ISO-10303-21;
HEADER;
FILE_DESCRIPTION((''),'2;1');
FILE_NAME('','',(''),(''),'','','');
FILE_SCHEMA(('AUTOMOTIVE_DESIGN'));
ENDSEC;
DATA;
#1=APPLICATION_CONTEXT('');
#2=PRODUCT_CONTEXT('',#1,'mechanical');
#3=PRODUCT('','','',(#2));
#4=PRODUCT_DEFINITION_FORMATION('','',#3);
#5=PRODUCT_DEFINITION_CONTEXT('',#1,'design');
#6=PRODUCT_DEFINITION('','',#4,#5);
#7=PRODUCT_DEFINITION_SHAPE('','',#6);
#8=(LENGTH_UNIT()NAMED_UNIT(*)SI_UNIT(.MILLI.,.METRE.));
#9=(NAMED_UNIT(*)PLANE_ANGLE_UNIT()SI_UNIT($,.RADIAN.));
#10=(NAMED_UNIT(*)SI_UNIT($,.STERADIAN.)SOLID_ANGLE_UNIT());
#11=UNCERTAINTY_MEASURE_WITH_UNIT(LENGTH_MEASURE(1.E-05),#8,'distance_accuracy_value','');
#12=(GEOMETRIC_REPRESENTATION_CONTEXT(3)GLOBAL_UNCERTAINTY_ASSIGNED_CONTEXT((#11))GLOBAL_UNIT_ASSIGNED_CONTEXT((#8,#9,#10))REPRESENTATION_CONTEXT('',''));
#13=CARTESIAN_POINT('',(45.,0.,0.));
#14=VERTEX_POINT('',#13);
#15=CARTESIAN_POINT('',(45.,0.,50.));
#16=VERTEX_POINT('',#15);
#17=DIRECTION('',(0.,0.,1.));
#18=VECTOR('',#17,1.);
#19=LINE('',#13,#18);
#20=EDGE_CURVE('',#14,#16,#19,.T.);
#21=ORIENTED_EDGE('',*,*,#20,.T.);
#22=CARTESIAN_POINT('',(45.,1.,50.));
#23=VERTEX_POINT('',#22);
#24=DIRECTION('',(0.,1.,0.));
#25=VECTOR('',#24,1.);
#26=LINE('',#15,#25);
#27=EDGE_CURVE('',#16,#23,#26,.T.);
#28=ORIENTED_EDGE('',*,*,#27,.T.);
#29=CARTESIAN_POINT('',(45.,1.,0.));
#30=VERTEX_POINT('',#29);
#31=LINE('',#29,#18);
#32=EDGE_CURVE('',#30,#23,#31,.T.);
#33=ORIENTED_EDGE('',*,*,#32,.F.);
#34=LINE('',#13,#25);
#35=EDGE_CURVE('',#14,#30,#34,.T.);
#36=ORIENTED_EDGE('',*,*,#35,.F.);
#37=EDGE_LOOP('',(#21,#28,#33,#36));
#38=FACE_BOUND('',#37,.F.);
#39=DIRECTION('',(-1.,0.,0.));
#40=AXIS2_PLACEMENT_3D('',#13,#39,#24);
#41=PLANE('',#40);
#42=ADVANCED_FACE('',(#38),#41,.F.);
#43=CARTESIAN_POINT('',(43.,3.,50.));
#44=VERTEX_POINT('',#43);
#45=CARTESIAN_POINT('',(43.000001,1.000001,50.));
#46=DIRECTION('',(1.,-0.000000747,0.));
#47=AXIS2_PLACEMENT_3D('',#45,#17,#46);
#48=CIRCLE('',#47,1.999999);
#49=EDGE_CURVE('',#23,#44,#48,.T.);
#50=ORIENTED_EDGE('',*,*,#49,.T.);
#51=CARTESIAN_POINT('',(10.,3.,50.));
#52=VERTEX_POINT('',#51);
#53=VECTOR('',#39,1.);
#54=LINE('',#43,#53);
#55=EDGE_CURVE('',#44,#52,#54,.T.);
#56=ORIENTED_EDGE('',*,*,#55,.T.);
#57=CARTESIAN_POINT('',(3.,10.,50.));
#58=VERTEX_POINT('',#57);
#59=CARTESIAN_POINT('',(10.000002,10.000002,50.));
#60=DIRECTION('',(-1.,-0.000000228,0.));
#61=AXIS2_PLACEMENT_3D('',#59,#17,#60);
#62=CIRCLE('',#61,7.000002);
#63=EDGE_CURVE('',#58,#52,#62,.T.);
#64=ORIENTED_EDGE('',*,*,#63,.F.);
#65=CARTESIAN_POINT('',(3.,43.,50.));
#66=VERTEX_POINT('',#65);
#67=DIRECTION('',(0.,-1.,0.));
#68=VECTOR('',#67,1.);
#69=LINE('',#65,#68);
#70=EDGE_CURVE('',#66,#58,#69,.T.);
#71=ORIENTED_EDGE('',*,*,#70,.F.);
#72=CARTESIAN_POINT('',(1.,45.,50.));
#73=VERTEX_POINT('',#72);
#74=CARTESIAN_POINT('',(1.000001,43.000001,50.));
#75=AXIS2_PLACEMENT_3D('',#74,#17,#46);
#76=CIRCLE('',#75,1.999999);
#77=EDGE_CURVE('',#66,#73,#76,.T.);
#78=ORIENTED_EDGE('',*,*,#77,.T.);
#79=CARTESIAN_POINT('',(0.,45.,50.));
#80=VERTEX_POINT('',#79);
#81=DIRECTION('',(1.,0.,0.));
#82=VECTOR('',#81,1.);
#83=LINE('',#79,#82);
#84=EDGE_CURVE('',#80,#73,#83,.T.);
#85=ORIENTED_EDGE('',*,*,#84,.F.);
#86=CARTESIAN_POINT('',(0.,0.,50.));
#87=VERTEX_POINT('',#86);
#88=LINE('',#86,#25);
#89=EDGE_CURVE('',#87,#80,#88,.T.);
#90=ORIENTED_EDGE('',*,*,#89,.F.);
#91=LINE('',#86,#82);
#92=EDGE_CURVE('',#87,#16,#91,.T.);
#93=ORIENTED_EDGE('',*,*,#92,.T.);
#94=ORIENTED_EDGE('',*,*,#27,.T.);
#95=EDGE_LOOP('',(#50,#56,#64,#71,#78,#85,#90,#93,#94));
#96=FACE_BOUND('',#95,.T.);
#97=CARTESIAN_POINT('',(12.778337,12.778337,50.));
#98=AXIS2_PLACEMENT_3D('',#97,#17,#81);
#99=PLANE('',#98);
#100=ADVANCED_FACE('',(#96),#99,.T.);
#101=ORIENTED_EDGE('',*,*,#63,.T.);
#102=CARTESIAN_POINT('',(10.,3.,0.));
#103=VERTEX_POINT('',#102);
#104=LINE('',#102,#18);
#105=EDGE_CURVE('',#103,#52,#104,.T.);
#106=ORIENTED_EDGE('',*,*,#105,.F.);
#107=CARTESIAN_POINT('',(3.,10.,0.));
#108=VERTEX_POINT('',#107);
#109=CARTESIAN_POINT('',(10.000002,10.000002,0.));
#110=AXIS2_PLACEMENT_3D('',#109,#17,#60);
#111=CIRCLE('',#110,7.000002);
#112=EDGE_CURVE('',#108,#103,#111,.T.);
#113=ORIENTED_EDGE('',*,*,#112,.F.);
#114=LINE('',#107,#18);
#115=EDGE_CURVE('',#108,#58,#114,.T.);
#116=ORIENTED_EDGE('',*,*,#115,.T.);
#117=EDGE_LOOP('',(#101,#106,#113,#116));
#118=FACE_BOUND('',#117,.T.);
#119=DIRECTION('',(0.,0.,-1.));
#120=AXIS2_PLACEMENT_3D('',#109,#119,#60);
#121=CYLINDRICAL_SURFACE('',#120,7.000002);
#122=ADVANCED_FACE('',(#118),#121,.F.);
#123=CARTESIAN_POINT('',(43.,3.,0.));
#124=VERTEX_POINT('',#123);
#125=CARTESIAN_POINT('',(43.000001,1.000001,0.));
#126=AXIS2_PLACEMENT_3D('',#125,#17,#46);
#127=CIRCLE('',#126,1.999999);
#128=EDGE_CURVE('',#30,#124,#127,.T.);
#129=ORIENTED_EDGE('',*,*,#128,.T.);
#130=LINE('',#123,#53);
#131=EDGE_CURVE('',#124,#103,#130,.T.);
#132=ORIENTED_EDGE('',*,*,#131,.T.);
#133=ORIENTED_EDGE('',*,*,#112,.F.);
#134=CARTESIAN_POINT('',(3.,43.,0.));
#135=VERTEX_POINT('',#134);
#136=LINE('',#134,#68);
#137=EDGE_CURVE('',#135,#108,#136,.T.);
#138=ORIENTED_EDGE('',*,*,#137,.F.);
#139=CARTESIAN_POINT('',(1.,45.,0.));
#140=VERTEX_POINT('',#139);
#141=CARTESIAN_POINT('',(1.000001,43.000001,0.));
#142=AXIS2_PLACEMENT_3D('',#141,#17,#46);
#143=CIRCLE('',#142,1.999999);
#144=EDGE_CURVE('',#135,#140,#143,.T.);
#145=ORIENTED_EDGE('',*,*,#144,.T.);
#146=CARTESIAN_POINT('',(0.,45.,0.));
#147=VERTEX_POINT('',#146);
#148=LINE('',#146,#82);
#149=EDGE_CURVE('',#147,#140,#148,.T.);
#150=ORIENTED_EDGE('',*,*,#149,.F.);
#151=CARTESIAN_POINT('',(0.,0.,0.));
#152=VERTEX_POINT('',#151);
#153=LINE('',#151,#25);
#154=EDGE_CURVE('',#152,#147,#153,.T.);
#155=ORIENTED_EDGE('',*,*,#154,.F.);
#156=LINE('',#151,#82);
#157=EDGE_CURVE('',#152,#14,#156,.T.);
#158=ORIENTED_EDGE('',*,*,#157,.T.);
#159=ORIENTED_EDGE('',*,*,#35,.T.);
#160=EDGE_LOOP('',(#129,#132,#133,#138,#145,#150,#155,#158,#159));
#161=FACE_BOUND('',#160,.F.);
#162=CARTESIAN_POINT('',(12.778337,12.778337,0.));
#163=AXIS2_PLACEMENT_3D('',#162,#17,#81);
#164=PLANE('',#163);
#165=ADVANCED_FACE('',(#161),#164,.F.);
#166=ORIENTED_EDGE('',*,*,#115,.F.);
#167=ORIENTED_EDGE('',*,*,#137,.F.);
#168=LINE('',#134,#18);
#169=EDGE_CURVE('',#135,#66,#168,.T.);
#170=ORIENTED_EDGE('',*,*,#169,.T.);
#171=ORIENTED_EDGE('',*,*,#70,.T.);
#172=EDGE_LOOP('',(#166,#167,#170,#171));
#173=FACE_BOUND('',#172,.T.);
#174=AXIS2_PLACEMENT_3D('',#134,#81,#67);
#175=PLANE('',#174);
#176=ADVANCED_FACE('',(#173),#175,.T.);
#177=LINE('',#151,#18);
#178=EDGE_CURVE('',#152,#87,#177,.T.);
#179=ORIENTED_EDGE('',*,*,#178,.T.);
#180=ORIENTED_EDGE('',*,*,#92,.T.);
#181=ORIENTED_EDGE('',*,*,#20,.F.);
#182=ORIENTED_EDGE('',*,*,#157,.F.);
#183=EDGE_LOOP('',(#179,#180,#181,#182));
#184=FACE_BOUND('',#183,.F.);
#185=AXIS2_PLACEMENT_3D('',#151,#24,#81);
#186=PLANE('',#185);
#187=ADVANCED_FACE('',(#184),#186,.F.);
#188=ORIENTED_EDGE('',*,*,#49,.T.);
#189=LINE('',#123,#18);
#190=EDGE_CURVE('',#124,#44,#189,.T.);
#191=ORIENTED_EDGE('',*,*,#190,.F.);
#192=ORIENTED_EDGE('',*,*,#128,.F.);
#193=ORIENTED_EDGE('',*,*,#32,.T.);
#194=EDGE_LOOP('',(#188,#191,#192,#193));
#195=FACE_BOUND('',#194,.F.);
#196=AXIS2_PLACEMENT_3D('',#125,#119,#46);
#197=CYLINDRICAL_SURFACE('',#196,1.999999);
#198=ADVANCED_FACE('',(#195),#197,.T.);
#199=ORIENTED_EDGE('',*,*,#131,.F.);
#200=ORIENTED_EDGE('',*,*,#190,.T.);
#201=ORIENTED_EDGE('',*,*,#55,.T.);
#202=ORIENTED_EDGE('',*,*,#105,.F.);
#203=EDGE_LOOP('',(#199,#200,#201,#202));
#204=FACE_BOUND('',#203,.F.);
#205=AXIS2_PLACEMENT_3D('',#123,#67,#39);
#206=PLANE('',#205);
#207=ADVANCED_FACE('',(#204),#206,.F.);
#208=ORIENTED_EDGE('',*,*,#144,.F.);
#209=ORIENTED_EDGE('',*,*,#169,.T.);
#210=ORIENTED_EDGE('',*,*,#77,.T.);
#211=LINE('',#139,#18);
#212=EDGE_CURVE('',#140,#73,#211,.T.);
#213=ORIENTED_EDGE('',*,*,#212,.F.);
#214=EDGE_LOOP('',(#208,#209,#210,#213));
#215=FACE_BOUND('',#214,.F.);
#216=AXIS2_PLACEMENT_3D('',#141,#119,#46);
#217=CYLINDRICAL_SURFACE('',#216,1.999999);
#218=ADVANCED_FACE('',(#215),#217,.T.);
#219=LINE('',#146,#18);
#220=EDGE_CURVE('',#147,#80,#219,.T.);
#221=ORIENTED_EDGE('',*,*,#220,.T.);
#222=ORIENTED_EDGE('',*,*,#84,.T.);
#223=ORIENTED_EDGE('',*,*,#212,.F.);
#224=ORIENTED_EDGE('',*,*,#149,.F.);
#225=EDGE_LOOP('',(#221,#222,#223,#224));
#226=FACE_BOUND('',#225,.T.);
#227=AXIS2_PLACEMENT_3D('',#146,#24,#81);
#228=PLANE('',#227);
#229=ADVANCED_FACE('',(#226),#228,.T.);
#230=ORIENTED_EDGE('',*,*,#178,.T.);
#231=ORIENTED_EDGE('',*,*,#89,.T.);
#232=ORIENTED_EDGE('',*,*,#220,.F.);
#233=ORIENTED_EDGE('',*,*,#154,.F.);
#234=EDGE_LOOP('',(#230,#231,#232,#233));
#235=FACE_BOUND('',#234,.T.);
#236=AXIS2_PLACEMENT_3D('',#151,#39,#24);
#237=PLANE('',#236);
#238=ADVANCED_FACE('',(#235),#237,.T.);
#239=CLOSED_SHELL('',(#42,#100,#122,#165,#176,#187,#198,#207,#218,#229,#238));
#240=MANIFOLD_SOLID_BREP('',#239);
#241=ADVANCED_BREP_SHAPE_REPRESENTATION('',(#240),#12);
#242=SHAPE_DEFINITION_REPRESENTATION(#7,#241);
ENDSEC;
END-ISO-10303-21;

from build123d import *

# Parameters (mm, degrees)
EXTRUDE_DEPTH = 50


with BuildPart() as part:
    # Sketch → Extrude (new body)
    with BuildSketch(Plane.XY):
        with BuildLine():
            Line((0, 0), (45, 0))
            Line((45, 0), (45, 1))
            ThreePointArc((45, 1), (44.414214, 2.414214), (43, 3))
            Line((43, 3), (10, 3))
            ThreePointArc((3, 10), (5.050253, 5.050253), (10, 3))
            Line((3, 43), (3, 10))
            ThreePointArc((3, 43), (2.414214, 44.414214), (1, 45))
            Line((0, 45), (1, 45))
            Line((0, 0), (0, 45))
        make_face()
    extrude(amount=EXTRUDE_DEPTH)


solid = part.part
